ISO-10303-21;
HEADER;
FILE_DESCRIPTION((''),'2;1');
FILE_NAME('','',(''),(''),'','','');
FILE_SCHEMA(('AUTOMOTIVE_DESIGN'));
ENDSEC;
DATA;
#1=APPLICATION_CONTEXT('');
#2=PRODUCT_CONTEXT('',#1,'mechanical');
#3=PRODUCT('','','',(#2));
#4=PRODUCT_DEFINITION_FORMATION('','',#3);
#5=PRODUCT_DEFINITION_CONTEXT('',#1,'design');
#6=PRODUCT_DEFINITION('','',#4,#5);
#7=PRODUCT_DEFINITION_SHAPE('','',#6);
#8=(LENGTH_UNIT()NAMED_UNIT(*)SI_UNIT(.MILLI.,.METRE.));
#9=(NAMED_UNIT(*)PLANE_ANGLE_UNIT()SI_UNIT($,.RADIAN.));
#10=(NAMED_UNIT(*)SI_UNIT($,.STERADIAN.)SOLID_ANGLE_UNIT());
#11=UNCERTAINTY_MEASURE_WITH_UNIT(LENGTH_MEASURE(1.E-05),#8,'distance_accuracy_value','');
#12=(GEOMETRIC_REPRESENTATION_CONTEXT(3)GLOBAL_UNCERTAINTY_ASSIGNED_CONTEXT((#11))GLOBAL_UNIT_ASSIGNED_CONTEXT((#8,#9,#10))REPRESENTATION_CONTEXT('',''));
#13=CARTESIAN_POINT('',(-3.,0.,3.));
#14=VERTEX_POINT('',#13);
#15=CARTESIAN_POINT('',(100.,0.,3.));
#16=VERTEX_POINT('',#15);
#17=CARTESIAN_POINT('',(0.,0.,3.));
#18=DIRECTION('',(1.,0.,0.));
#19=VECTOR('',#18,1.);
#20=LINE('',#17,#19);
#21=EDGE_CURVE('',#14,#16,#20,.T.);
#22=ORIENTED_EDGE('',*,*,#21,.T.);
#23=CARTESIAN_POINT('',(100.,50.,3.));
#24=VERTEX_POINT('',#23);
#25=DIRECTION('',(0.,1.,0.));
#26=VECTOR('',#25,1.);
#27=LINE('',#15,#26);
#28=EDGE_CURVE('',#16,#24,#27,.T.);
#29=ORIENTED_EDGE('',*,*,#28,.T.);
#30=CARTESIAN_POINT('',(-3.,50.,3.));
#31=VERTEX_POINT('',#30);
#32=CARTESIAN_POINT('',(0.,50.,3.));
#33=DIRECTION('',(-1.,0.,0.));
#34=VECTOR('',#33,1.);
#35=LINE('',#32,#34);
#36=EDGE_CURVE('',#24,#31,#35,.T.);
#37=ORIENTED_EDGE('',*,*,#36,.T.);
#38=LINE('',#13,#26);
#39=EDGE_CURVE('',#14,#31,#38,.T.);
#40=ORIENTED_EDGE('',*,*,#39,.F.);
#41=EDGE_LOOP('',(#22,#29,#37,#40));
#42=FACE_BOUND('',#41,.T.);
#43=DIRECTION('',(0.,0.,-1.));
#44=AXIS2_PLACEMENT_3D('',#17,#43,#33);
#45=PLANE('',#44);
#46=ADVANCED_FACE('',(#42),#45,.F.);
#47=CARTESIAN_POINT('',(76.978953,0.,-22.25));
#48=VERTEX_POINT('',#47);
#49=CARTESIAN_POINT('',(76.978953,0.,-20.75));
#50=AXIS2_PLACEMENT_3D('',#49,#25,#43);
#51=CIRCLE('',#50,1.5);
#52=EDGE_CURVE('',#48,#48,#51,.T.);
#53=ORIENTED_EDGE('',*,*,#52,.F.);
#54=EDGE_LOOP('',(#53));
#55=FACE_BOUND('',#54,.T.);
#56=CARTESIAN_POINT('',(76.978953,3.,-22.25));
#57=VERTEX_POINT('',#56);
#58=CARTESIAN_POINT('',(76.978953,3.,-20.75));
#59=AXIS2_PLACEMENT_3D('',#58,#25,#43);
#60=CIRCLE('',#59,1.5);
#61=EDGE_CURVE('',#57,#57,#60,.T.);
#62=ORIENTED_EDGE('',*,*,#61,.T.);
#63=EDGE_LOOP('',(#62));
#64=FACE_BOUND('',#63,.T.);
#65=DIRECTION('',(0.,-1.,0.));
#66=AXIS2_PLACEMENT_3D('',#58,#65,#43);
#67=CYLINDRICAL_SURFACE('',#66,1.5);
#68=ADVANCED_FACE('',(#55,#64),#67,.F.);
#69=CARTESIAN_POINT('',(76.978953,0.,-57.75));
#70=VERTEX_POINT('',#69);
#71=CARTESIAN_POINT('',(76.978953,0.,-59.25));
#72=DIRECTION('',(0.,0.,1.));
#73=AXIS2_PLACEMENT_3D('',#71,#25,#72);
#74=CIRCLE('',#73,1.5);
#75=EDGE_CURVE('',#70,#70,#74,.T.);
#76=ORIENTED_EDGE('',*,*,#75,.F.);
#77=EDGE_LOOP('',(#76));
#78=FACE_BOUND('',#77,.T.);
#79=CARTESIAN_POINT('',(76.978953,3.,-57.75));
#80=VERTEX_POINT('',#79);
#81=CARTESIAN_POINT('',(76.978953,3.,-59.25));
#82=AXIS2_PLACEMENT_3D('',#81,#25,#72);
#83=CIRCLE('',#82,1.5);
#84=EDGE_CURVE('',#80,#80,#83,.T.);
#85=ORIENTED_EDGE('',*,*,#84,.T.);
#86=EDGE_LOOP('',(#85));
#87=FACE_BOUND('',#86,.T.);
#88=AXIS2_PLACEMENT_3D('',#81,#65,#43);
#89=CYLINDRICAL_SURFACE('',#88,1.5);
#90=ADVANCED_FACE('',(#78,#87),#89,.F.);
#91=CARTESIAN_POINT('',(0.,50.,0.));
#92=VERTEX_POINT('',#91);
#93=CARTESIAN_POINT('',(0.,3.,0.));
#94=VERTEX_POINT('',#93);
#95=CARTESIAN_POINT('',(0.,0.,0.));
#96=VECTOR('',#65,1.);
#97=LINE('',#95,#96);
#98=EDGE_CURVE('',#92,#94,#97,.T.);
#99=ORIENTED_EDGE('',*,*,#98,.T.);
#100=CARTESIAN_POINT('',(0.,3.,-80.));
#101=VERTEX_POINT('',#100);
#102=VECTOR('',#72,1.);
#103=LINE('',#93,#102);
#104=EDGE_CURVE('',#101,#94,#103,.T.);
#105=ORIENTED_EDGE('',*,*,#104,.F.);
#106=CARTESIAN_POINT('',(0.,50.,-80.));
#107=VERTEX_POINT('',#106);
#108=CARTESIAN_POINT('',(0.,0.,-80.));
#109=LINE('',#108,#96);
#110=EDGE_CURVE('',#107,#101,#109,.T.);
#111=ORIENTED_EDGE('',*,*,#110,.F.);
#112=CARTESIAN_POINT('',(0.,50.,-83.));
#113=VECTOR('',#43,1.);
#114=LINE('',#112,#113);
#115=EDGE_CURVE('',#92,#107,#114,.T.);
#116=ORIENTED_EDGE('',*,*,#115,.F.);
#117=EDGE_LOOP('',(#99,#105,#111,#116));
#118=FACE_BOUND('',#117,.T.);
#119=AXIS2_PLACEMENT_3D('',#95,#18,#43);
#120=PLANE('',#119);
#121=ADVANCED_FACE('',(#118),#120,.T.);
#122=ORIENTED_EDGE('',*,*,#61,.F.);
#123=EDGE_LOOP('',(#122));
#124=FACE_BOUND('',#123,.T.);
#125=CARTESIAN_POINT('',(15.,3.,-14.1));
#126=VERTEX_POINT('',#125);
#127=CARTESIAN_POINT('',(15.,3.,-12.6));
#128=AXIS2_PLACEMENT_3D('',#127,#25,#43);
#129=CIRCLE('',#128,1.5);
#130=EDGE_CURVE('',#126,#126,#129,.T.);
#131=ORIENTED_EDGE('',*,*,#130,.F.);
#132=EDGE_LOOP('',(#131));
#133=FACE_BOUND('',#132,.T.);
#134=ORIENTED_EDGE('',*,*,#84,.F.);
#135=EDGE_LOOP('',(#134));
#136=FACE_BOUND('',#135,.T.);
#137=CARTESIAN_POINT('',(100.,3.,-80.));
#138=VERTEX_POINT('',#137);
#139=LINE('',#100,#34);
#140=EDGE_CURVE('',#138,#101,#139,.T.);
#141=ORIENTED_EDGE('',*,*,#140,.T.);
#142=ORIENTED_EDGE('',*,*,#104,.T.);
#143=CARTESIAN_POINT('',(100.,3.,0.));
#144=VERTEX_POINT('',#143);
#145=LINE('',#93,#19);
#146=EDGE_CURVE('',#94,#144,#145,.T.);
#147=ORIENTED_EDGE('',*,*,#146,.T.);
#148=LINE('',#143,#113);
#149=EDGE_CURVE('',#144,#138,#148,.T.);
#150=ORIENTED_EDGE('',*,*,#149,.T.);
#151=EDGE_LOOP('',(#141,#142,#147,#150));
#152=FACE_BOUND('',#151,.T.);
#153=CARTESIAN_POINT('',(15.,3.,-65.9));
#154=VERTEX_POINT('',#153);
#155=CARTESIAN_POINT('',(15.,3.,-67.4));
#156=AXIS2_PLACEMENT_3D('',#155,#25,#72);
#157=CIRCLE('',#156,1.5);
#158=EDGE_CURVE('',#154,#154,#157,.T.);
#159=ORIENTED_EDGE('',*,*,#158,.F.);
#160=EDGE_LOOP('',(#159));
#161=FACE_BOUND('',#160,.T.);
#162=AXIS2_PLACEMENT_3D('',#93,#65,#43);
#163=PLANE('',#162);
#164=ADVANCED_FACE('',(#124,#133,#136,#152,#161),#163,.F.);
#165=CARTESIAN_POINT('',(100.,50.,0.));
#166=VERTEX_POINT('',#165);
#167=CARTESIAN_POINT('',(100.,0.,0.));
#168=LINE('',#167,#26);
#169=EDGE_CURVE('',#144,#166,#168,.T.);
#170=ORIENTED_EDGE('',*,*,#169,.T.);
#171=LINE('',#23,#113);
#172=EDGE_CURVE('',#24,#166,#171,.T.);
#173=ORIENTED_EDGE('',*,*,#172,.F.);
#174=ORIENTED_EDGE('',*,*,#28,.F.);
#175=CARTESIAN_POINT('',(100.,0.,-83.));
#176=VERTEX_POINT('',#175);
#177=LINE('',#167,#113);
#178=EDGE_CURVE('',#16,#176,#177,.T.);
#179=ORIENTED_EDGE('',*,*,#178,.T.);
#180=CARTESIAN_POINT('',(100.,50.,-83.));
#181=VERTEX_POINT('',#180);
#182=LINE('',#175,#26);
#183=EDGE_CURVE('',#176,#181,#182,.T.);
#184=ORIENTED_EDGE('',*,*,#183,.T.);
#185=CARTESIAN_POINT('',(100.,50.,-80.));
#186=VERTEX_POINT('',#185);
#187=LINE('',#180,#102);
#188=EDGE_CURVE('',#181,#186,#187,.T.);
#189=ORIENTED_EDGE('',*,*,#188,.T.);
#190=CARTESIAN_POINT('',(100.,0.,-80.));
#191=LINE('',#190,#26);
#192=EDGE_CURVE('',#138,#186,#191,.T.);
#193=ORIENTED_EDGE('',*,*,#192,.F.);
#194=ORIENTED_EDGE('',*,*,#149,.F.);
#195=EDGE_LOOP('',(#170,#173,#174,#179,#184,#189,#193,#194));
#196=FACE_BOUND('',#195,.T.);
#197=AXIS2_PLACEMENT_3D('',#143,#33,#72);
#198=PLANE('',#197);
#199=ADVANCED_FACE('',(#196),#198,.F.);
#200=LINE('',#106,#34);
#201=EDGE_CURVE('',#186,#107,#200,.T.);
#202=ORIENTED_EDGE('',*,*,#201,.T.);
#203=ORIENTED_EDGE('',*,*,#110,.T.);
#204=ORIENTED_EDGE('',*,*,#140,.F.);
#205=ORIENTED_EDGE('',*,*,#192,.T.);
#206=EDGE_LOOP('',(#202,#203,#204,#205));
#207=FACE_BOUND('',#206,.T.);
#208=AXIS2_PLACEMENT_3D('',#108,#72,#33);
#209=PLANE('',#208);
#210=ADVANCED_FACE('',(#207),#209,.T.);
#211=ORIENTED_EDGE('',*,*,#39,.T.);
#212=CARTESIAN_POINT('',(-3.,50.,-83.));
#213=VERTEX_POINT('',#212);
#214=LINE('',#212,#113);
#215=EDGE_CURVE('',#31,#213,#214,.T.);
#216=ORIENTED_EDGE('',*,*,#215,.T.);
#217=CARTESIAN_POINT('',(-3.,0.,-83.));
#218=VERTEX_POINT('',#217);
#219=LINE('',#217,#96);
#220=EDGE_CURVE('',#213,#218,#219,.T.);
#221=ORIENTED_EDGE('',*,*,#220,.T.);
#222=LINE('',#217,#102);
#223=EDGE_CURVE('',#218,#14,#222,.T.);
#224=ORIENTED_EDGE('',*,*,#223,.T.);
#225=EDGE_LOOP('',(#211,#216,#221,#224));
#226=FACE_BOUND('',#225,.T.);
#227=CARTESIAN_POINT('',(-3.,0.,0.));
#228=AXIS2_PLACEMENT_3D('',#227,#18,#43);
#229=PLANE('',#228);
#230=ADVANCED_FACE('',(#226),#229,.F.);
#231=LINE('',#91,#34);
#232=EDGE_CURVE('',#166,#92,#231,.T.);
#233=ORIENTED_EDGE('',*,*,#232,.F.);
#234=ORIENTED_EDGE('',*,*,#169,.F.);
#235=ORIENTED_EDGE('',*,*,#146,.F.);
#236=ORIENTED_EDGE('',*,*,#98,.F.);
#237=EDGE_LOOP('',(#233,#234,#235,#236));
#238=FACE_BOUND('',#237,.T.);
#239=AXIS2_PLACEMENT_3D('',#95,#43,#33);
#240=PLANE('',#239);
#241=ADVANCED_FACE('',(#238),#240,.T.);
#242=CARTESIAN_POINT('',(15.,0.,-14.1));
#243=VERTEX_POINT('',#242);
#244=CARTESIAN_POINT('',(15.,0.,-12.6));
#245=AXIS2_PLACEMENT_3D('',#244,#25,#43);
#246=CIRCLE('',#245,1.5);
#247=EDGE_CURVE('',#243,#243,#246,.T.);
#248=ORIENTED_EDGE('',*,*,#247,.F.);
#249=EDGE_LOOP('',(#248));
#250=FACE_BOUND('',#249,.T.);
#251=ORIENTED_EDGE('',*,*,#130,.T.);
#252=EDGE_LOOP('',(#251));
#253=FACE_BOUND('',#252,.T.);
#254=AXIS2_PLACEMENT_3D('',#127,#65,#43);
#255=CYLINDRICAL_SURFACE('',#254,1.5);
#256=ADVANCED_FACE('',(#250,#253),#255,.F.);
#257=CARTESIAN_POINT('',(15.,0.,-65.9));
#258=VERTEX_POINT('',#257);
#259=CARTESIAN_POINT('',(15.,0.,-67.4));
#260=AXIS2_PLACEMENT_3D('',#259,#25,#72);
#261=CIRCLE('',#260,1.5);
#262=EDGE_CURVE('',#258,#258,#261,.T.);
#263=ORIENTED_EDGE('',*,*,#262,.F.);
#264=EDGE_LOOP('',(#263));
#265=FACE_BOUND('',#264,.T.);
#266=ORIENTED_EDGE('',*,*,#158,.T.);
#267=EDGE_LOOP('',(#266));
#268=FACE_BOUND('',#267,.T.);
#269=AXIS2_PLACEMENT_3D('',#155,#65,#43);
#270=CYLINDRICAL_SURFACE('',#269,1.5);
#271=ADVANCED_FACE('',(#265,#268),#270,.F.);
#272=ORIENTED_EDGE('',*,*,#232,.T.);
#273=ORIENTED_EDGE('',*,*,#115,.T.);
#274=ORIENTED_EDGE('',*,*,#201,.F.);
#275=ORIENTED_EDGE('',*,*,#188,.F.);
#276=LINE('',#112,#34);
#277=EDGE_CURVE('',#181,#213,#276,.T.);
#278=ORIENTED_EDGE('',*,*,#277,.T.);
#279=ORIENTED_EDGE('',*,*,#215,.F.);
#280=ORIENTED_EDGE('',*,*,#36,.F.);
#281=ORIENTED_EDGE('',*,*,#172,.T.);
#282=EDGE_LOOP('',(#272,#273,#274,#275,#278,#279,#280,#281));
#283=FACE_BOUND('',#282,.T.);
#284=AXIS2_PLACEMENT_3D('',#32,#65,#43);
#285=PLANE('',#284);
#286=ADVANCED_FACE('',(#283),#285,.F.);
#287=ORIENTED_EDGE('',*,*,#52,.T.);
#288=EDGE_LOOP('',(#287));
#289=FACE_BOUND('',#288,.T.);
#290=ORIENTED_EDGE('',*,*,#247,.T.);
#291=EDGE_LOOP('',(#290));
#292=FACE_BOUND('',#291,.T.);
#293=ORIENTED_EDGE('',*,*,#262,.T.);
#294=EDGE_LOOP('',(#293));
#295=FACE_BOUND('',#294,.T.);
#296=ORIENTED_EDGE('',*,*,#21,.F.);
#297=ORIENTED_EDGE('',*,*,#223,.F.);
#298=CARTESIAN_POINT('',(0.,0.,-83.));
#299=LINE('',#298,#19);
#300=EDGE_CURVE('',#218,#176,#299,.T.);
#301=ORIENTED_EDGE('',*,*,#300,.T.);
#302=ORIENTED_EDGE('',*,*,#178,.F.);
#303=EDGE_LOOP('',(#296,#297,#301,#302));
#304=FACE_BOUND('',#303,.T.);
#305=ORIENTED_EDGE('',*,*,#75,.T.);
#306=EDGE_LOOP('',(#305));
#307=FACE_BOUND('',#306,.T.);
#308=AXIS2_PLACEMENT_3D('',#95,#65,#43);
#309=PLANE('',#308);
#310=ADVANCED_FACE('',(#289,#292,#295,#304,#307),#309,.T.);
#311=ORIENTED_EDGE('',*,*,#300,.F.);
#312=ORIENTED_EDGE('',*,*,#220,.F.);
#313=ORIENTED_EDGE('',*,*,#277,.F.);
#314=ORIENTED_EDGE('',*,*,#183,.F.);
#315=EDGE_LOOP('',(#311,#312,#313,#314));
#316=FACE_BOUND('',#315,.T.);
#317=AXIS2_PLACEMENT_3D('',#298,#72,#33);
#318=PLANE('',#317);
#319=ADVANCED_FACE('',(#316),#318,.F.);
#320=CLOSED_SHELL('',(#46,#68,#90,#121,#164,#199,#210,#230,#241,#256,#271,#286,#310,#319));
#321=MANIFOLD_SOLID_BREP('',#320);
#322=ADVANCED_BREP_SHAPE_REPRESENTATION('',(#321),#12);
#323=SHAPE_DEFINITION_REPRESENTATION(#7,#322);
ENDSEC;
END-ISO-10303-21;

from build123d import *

# Parameters (mm, degrees)
SCHIZZO1_W                   = 100
SCHIZZO1_H                   = 80
SCHIZZO1_R                   = 1.5
ESTRUSIONE_ESTRUSIONE1_DEPTH = 3
SCHIZZO2_W                   = 100
SCHIZZO2_H                   = 50
ESTRUSIONE_ESTRUSIONE2_DEPTH = 3
SCHIZZO3_W                   = 86
SCHIZZO3_H                   = 50
ESTRUSIONE_ESTRUSIONE3_DEPTH = 3


with BuildPart() as part:
    # Schizzo1 → Estrusione-Estrusione1 (new body)
    with BuildSketch(Plane(origin=(0, 0, 0), x_dir=(1, 0, 0), z_dir=(0, 1, 0))):
        with Locations((50, 40)):
            Rectangle(SCHIZZO1_W, SCHIZZO1_H)
        with Locations(Location((15, 67.4, 0), (0, 0, 270))):
            Circle(SCHIZZO1_R, mode=Mode.SUBTRACT)
        with Locations(Location((15, 12.6, 0), (0, 0, 90))):
            Circle(SCHIZZO1_R, mode=Mode.SUBTRACT)
        with Locations(Location((76.978953205, 59.25, 0), (0, 0, 270))):
            Circle(SCHIZZO1_R, mode=Mode.SUBTRACT)
        with Locations(Location((76.978953205, 20.75, 0), (0, 0, 90))):
            Circle(SCHIZZO1_R, mode=Mode.SUBTRACT)
    extrude(amount=ESTRUSIONE_ESTRUSIONE1_DEPTH)

    # Schizzo2 → Estrusione-Estrusione2 (add)
    with BuildSketch(Plane.XY):
        with Locations((50, 25)):
            Rectangle(SCHIZZO2_W, SCHIZZO2_H)
    estrusione_estrusione2 = extrude(amount=ESTRUSIONE_ESTRUSIONE2_DEPTH)

    # Specchia1: Estrusione-Estrusione2 across plane
    add(estrusione_estrusione2.mirror(Plane.XY.offset(-40)))

    # Schizzo3 → Estrusione-Estrusione3 (add)
    with BuildSketch(Plane.ZY):
        with Locations((-40, 25)):
            Rectangle(SCHIZZO3_W, SCHIZZO3_H)
    extrude(amount=ESTRUSIONE_ESTRUSIONE3_DEPTH)


solid = part.part
